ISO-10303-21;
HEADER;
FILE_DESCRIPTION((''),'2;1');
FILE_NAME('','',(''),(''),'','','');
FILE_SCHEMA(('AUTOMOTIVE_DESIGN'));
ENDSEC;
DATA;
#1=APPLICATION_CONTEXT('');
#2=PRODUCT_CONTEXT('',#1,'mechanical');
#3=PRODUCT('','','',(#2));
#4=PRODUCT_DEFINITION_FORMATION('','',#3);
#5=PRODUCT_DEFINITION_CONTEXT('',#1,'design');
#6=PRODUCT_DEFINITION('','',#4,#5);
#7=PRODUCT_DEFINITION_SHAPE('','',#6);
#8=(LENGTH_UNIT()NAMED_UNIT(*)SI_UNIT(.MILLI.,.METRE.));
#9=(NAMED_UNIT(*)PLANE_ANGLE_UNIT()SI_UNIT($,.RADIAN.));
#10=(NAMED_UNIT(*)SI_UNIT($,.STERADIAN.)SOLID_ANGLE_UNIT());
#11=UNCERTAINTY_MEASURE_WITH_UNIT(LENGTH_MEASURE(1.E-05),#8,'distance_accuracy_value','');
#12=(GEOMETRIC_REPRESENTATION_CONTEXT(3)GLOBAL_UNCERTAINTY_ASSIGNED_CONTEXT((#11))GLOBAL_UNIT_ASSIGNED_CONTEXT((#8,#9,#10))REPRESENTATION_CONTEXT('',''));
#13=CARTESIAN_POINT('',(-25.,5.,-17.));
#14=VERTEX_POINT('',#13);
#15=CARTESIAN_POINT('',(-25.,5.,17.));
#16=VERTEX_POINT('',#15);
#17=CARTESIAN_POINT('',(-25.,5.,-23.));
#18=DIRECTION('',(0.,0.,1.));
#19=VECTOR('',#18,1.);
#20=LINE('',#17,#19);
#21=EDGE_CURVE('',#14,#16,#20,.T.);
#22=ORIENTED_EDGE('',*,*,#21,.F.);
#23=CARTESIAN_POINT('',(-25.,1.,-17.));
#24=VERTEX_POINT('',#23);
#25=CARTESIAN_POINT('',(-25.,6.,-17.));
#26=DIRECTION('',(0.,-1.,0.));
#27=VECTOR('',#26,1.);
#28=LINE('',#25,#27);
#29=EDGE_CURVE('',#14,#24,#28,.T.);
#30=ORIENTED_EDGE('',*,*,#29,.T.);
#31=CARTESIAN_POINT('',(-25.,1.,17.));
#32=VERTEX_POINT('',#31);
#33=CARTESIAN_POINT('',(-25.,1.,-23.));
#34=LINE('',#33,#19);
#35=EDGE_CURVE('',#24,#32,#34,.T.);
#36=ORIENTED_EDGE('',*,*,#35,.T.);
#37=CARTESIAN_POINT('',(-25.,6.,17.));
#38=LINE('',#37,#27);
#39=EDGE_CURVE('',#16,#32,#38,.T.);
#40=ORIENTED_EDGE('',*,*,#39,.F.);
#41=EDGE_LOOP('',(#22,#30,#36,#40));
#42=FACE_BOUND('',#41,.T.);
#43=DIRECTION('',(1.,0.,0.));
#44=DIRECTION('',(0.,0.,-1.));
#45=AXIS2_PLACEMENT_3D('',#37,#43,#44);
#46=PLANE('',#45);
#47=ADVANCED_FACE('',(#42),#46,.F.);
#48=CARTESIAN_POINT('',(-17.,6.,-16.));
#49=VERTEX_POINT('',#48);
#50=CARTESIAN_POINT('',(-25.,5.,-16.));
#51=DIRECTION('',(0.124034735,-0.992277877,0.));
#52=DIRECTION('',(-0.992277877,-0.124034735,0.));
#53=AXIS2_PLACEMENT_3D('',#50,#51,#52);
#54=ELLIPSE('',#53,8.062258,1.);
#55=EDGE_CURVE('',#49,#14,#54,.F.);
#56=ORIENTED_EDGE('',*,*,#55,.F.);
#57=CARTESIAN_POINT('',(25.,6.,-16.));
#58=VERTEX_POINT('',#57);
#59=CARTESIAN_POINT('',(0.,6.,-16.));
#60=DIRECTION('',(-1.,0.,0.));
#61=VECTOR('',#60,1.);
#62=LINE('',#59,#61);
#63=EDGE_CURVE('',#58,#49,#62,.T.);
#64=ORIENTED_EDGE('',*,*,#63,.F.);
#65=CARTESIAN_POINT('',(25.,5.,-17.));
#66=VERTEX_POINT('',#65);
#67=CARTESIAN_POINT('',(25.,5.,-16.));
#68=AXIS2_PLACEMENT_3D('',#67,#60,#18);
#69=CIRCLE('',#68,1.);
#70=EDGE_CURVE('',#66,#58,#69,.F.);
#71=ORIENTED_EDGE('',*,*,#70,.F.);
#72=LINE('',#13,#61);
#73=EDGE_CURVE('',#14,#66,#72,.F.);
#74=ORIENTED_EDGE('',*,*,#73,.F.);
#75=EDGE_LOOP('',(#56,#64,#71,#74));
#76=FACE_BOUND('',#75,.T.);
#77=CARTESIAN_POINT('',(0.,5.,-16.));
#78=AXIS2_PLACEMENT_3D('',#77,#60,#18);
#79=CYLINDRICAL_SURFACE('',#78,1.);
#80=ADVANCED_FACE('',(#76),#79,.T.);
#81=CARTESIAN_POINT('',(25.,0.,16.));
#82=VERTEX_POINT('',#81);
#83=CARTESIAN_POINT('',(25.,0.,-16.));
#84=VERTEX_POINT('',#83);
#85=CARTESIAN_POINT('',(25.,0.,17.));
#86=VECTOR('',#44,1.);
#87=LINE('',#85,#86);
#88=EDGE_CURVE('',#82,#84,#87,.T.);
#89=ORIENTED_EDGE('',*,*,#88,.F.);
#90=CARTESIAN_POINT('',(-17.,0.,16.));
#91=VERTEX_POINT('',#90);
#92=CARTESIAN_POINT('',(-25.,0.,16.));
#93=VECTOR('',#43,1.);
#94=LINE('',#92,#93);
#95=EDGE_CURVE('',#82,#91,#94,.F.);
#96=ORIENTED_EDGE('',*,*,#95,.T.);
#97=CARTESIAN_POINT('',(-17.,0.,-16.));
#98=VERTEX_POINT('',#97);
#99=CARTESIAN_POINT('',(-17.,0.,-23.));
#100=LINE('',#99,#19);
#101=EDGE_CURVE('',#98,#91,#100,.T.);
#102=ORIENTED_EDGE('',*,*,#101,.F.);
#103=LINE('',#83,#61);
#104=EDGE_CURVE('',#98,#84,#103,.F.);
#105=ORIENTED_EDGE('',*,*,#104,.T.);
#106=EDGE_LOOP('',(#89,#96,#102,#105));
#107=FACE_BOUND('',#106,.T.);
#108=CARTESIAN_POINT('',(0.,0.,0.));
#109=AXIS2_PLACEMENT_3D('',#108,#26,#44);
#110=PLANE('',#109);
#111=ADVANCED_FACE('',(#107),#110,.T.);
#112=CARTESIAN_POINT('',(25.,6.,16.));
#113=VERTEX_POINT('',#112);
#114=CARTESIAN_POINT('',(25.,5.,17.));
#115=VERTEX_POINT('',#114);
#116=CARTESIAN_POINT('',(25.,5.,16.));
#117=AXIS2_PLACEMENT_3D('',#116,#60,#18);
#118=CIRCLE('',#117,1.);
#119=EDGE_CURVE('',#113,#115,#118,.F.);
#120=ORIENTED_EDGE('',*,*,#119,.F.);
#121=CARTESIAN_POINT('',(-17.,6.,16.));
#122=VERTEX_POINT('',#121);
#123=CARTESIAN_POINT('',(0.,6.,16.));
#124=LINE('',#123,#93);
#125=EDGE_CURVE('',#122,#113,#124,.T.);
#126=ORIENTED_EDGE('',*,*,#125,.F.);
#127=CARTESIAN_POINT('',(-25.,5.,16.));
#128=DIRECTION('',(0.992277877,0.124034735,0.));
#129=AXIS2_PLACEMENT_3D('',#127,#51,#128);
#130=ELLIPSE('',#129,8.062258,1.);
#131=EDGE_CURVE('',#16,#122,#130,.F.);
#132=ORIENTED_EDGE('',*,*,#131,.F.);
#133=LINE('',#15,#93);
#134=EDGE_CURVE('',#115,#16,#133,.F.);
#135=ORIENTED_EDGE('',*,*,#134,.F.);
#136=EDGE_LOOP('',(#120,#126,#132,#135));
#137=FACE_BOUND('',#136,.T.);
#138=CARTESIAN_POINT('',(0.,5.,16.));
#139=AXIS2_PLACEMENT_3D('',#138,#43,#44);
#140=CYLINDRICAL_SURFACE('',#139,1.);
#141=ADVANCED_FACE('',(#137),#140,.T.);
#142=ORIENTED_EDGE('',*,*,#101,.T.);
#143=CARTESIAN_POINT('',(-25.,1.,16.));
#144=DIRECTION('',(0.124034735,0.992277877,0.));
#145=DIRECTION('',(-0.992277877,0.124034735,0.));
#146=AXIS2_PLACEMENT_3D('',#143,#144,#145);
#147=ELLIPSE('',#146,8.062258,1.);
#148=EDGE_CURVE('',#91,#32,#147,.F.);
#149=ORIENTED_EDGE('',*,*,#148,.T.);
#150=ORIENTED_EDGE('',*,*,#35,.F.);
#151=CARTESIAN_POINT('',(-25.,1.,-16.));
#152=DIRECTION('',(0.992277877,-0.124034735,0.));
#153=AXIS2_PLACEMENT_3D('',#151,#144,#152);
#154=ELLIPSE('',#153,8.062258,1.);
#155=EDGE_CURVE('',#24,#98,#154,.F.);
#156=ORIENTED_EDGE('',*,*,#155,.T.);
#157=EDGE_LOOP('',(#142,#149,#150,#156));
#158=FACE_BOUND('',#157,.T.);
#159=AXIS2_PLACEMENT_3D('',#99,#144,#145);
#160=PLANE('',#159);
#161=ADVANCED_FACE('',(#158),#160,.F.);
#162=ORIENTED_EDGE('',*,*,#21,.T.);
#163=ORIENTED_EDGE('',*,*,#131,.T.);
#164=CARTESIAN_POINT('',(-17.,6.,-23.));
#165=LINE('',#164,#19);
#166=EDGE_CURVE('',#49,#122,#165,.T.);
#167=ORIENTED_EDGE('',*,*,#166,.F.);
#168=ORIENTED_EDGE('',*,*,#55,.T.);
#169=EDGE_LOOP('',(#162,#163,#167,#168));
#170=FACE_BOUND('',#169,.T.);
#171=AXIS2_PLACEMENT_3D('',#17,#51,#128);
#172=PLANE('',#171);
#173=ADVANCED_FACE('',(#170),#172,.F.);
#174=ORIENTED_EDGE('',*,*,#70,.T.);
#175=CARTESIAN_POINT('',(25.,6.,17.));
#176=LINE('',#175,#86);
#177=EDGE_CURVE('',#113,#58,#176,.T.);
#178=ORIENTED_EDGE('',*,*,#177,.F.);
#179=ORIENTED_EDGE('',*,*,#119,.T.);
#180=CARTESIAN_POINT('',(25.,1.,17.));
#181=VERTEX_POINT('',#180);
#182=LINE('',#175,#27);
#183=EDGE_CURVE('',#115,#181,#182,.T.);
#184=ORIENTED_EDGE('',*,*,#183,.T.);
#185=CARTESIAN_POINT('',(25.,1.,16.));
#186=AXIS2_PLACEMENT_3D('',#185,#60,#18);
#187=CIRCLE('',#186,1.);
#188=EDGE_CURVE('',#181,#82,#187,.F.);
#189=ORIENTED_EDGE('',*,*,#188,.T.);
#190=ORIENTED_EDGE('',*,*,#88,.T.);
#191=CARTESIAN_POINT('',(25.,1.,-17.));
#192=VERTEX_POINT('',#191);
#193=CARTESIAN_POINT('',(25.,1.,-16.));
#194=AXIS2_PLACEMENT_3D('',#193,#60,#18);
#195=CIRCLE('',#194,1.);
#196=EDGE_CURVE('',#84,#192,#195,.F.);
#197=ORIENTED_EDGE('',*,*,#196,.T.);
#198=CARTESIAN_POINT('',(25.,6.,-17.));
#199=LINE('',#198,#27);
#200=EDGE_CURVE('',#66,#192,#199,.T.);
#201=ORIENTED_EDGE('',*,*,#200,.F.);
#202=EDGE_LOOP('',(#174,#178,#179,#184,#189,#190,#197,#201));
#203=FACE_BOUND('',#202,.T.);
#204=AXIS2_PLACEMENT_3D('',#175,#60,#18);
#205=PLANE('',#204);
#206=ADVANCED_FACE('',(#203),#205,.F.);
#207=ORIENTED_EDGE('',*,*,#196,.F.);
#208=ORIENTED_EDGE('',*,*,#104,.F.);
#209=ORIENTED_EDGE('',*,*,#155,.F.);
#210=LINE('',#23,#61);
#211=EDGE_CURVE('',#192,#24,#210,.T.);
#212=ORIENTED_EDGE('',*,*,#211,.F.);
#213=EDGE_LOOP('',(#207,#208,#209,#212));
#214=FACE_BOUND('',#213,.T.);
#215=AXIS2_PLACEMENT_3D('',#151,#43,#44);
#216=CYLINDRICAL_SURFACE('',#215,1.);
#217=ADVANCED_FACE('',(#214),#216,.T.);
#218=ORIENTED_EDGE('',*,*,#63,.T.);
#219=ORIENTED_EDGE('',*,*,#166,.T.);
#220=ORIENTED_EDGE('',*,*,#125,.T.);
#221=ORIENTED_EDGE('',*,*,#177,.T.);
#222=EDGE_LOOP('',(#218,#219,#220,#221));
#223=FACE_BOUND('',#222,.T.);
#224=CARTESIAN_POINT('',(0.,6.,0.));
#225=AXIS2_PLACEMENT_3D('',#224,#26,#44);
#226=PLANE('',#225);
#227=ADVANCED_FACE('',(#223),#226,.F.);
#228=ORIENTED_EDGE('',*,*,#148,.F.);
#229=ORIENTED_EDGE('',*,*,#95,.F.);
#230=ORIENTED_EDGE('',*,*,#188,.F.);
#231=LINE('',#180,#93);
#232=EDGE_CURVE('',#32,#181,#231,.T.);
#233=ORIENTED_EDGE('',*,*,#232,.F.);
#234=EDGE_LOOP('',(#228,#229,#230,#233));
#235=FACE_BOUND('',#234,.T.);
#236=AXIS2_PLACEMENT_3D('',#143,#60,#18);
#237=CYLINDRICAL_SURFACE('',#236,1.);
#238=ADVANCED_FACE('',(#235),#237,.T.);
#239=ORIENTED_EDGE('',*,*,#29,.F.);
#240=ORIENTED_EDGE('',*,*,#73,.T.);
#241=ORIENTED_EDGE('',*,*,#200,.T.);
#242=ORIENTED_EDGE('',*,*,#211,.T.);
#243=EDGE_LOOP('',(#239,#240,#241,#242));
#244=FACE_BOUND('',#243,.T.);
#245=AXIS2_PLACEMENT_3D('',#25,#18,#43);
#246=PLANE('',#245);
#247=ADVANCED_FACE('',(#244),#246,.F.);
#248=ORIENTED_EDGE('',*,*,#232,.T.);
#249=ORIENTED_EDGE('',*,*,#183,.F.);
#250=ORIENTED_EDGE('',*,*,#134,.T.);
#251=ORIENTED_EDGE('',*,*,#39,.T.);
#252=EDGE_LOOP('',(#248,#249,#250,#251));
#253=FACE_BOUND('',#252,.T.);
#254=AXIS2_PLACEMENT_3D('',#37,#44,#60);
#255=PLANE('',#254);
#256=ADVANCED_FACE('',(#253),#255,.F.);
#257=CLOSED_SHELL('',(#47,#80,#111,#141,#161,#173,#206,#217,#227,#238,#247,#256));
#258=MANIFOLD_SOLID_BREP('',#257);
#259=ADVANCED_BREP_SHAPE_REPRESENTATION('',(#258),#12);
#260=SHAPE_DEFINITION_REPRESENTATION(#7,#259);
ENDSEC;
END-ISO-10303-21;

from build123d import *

# Parameters (mm, degrees)
SKETCH_1_W          = 50
SKETCH_1_H          = 34
EXTRUDE_1_DEPTH     = 6
FILLET_1_R          = 1
CUT_EXTRUDE_1_DEPTH = 40


with BuildPart() as part:
    # 草图1 → 凸台-拉伸1 (new body)
    with BuildSketch(Plane(origin=(0, 0, 0), x_dir=(1, 0, 0), z_dir=(0, 1, 0))):
        Rectangle(SKETCH_1_W, SKETCH_1_H)
    extrude(amount=EXTRUDE_1_DEPTH)

    # 圆角1
    fillet_1_edges = [part.edges().sort_by_distance(p)[0] for p in [
        (0, 6, 17),
        (0, 0, 17),
        (0, 0, -17),
        (0, 6, -17),
    ]]
    fillet(fillet_1_edges, radius=FILLET_1_R)

    # 草图2 → 切除-拉伸1 (cut)
    with BuildSketch(Plane.XY.offset(17)):
        Polygon((-25, 5), (-17, 6), (-17, 8), (-27, 8), (-27, -2), (-17, -2), (-17, 0), (-25, 1), align=None)
    extrude(amount=-CUT_EXTRUDE_1_DEPTH, mode=Mode.SUBTRACT)


solid = part.part
